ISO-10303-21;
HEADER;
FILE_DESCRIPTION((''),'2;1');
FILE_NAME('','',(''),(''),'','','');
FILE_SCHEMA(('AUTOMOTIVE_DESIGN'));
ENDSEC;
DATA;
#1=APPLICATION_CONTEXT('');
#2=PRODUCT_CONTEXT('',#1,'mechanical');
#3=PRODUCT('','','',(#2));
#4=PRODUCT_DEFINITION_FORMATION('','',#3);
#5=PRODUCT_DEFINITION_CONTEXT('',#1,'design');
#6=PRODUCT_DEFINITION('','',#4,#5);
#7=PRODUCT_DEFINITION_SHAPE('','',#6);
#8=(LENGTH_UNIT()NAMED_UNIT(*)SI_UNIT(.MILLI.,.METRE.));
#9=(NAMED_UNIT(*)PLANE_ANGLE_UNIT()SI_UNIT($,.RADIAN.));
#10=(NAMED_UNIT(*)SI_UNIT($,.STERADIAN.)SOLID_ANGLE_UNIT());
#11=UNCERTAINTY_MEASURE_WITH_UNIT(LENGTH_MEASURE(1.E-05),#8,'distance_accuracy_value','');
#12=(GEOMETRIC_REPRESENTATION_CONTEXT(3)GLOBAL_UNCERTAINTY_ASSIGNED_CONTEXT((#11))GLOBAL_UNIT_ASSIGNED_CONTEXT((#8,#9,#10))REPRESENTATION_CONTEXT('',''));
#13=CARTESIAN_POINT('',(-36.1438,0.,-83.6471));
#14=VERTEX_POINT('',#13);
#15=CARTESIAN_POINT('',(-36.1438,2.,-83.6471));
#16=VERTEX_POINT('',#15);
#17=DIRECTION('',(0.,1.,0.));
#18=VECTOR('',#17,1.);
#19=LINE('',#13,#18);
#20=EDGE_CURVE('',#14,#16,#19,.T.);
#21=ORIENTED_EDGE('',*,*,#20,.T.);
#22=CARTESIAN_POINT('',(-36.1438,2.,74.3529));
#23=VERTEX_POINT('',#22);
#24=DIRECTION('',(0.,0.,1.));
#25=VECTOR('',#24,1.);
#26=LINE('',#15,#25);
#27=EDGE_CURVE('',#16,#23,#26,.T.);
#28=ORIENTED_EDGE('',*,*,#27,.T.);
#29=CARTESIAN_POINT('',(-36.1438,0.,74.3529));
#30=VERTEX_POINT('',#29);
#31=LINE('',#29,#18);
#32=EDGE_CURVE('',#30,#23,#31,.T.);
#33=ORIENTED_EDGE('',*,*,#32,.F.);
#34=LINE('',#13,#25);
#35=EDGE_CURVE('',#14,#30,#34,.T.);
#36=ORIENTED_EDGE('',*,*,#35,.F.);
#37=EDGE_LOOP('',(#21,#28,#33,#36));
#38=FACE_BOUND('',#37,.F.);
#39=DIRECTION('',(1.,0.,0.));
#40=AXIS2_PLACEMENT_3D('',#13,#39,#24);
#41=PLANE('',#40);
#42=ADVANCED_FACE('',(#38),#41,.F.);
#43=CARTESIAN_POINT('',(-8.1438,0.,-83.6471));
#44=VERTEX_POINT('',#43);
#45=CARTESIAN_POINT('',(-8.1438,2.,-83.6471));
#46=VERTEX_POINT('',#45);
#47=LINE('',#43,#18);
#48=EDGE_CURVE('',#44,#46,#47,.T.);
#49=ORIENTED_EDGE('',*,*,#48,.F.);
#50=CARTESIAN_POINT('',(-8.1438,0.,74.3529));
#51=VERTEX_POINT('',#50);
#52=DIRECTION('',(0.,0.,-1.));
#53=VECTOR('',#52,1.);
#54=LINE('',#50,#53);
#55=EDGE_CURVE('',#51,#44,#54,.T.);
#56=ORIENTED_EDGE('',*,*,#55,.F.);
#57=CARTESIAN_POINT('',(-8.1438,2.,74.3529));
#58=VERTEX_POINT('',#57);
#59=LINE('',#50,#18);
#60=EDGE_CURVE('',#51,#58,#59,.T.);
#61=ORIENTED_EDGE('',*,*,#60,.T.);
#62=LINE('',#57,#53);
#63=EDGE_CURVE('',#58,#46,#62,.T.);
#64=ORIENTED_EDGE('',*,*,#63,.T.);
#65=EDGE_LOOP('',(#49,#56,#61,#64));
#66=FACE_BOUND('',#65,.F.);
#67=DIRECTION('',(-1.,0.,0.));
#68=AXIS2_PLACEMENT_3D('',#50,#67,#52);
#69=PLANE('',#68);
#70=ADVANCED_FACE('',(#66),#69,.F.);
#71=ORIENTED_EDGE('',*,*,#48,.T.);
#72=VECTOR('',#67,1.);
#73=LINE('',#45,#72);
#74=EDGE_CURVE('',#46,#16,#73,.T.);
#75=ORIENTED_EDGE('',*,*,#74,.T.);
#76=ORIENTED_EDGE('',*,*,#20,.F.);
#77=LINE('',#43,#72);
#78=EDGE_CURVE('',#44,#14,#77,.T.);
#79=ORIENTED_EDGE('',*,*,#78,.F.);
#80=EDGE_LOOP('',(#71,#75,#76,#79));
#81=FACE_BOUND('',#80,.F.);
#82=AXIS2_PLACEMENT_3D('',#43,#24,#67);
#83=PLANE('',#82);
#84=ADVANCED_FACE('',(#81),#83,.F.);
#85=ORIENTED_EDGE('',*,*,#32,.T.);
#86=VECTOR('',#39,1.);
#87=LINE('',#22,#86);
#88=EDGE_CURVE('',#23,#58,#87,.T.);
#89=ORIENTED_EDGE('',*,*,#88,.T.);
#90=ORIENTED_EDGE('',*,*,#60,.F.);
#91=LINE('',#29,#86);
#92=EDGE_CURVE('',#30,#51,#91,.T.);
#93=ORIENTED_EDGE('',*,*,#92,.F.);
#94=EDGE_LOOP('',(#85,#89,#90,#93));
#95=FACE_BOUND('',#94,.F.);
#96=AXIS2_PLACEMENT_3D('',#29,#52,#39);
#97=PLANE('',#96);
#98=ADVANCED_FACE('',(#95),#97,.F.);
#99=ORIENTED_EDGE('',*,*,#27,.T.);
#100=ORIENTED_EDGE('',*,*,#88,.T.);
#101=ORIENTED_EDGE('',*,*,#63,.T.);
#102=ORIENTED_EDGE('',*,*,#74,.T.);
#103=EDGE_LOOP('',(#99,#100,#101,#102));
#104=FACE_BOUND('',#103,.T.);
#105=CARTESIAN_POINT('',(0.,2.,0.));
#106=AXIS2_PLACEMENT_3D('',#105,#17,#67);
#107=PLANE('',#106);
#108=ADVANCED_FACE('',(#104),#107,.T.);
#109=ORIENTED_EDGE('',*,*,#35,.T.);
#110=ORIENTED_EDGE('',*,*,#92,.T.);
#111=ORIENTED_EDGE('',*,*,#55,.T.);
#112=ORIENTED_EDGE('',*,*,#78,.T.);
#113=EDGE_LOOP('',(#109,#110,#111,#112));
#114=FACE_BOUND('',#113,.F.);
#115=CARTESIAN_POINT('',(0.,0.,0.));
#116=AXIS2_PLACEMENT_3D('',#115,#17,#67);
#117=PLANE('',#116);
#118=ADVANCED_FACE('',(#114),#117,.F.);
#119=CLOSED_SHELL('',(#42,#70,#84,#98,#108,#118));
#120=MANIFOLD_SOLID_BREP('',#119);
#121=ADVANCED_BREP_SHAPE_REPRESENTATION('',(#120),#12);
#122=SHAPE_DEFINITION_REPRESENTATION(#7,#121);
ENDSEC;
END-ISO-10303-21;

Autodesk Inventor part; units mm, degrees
ref_plane "YZ Plane" through (0, 0, 0) normal (1, 0, 0) x (0, 1, 0)
ref_plane "XZ Plane" through (0, 0, 0) normal (0, 1, 0) x (-1, 0, 0)
ref_plane "XY Plane" through (0, 0, 0) normal (0, 0, 1) x (1, 0, 0)
sketch "Sketch1" plane through (0, 0, 0) normal (0, 1, 0) x (-1, 0, 0)
  point P0 (0, 0)
sketch "Sketch2" plane through (0, 0, 0) normal (0, 1, 0) x (-1, 0, 0)
  line L0 (36.1438, 74.3529) -> (8.1438, 74.3529)
  line L1 (8.1438, 74.3529) -> (8.1438, -83.6471)
  line L2 (8.1438, -83.6471) -> (36.1438, -83.6471)
  line L3 (36.1438, -83.6471) -> (36.1438, 74.3529)
  point P0 (0, 0)
  dimension "d0" = 158
  dimension "d1" = 28
extrude "Extrusion1" add sketch "Sketch2" along normal blind 2
properties part number "Velcro for Back"
